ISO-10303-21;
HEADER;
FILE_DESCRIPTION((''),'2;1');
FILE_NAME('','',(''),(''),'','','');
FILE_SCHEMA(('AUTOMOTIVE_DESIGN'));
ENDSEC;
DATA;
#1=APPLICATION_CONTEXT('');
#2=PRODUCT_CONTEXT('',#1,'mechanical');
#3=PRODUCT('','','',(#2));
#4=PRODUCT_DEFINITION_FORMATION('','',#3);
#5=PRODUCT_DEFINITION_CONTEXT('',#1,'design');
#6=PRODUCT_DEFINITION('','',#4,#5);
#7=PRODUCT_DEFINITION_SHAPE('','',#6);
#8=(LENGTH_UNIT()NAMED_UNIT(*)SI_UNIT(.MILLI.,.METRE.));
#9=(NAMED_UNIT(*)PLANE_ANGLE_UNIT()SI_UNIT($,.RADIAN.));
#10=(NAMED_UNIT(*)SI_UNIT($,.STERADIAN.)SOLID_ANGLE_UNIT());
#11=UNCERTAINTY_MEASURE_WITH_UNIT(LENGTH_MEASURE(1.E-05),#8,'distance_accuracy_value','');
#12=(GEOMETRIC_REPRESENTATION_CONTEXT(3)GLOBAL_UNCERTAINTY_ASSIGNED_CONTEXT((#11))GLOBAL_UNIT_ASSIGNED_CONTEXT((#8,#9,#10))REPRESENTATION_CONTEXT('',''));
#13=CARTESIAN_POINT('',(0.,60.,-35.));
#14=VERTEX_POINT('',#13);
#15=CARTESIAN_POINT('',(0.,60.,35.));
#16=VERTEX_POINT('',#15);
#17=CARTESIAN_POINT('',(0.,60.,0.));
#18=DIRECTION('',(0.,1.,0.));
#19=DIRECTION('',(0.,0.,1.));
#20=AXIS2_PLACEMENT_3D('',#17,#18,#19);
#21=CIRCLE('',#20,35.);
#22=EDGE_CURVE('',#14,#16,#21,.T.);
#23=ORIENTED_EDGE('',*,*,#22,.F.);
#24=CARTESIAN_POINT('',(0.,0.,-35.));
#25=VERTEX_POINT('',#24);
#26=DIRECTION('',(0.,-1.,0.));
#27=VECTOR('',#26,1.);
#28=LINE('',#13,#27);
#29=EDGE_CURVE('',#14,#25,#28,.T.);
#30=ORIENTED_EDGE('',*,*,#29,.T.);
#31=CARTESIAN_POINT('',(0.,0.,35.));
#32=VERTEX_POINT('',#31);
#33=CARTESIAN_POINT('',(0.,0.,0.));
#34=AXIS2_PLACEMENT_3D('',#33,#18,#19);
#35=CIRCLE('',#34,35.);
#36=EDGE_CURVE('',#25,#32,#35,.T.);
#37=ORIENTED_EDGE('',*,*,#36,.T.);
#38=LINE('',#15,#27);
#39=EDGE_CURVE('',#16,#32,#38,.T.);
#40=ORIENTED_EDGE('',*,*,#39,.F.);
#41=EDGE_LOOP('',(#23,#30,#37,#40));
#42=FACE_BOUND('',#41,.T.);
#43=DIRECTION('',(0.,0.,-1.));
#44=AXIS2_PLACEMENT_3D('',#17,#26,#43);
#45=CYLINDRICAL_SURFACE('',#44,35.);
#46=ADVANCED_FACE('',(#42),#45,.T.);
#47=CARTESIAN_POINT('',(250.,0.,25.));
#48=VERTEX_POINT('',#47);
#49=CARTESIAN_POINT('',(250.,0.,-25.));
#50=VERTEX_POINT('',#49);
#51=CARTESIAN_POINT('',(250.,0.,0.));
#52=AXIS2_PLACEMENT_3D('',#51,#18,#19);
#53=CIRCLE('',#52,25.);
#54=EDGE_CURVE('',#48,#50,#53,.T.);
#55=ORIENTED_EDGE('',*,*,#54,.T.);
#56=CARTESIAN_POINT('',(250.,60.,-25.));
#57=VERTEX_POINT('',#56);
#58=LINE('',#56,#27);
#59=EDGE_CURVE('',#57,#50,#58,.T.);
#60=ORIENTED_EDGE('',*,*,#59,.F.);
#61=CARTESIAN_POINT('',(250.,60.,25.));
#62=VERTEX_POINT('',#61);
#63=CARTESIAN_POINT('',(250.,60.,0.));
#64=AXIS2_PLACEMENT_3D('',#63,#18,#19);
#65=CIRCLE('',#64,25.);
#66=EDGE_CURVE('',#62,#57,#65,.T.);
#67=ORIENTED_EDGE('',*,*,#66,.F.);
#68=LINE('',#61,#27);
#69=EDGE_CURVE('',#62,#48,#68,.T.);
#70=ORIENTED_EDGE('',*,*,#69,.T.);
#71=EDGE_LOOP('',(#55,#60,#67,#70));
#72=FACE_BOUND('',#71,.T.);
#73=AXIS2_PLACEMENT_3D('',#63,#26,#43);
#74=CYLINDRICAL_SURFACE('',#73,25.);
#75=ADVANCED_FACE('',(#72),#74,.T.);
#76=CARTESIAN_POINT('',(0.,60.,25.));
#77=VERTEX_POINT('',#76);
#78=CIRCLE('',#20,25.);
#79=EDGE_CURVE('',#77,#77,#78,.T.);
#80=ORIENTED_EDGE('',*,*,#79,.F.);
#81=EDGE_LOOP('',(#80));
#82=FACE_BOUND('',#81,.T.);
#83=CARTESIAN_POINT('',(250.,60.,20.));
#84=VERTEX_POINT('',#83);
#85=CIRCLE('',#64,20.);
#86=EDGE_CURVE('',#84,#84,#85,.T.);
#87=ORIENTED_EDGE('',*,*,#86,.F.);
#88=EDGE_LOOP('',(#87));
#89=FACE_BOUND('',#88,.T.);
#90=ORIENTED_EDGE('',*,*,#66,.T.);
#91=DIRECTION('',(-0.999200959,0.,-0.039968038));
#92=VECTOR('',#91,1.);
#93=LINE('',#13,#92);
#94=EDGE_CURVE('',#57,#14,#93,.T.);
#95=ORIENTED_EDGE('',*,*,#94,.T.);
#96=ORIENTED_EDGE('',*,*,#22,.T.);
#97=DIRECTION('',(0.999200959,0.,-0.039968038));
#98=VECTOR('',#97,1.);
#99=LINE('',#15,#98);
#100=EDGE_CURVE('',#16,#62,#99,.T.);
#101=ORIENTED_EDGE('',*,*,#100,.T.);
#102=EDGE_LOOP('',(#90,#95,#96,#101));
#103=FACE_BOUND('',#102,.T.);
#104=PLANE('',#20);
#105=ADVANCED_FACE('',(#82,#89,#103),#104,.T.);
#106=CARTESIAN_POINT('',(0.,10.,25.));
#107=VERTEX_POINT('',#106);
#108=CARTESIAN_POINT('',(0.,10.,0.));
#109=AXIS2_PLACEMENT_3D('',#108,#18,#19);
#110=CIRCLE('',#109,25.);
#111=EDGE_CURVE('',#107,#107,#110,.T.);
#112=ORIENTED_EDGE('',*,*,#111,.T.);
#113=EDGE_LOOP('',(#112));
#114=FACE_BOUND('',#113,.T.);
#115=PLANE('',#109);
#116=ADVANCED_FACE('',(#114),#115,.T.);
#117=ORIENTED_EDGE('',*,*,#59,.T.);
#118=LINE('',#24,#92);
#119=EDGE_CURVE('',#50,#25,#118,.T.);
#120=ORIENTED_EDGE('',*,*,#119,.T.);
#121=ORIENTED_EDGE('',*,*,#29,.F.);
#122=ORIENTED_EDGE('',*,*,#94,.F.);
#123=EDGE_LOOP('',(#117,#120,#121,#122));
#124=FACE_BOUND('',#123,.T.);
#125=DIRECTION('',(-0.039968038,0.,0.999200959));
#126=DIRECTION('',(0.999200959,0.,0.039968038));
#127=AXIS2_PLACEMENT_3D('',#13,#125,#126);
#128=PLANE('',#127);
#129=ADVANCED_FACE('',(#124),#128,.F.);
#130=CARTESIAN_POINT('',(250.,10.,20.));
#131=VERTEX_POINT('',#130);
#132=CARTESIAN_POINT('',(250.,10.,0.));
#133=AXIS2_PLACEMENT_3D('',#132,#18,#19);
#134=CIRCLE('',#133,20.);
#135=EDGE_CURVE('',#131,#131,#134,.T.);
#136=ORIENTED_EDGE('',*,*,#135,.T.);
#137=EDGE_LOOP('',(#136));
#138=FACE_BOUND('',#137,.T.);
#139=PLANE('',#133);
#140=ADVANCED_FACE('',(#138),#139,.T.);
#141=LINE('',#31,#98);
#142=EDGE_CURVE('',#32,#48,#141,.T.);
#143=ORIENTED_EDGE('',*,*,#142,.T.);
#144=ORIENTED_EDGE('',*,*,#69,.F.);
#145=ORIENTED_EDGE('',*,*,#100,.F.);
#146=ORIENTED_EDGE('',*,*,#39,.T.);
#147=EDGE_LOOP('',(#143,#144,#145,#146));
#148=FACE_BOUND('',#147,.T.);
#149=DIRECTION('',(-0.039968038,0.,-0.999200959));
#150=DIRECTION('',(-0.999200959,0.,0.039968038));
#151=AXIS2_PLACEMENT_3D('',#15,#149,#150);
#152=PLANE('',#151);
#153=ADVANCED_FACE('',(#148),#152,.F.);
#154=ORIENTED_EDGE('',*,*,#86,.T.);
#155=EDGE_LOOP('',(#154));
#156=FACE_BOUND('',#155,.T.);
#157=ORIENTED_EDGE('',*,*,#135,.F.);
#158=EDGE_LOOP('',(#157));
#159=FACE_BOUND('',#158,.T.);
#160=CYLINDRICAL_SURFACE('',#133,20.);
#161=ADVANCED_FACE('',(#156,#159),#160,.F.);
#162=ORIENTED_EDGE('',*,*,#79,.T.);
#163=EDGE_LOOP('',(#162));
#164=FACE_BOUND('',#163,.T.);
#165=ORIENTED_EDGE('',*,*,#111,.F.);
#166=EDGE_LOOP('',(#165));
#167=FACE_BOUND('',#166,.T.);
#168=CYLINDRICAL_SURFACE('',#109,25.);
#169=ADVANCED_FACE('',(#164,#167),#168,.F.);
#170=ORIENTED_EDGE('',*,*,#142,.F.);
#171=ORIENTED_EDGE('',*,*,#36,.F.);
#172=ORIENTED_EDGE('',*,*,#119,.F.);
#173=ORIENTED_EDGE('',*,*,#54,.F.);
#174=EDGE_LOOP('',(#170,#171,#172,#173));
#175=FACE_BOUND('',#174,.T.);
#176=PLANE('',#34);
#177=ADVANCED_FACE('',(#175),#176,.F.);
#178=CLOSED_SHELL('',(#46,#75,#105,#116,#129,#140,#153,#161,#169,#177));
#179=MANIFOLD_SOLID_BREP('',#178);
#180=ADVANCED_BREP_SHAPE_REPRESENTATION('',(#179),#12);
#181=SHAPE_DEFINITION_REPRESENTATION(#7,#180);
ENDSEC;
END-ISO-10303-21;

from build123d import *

# Parameters (mm, degrees)
BOSS_EXTRUDE1_DEPTH = 60
SKETCH3_R           = 25
SKETCH3_R_2         = 20
CUT_EXTRUDE1_DEPTH  = 50


with BuildPart() as part:
    # Sketch2 → Boss-Extrude1 (new body)
    with BuildSketch(Plane(origin=(0, 0, 0), x_dir=(1, 0, 0), z_dir=(0, 1, 0))):
        with BuildLine():
            Line((0, 35), (250, 25))
            ThreePointArc((250, 25), (275, 0), (250, -25))
            Line((250, -25), (0, -35))
            ThreePointArc((0, -35), (-35, 0), (0, 35))
        make_face()
    extrude(amount=BOSS_EXTRUDE1_DEPTH)

    # Sketch3 → Cut-Extrude1 (cut)
    with BuildSketch(Plane(origin=(0, 60, 0), x_dir=(1, 0, 0), z_dir=(0, 1, 0))):
        with Locations(Location((0, 0, 0), (0, 0, 270))):
            Circle(SKETCH3_R)
        with Locations(Location((250, 0, 0), (0, 0, 270))):
            Circle(SKETCH3_R_2)
    extrude(amount=-CUT_EXTRUDE1_DEPTH, mode=Mode.SUBTRACT)


solid = part.part
